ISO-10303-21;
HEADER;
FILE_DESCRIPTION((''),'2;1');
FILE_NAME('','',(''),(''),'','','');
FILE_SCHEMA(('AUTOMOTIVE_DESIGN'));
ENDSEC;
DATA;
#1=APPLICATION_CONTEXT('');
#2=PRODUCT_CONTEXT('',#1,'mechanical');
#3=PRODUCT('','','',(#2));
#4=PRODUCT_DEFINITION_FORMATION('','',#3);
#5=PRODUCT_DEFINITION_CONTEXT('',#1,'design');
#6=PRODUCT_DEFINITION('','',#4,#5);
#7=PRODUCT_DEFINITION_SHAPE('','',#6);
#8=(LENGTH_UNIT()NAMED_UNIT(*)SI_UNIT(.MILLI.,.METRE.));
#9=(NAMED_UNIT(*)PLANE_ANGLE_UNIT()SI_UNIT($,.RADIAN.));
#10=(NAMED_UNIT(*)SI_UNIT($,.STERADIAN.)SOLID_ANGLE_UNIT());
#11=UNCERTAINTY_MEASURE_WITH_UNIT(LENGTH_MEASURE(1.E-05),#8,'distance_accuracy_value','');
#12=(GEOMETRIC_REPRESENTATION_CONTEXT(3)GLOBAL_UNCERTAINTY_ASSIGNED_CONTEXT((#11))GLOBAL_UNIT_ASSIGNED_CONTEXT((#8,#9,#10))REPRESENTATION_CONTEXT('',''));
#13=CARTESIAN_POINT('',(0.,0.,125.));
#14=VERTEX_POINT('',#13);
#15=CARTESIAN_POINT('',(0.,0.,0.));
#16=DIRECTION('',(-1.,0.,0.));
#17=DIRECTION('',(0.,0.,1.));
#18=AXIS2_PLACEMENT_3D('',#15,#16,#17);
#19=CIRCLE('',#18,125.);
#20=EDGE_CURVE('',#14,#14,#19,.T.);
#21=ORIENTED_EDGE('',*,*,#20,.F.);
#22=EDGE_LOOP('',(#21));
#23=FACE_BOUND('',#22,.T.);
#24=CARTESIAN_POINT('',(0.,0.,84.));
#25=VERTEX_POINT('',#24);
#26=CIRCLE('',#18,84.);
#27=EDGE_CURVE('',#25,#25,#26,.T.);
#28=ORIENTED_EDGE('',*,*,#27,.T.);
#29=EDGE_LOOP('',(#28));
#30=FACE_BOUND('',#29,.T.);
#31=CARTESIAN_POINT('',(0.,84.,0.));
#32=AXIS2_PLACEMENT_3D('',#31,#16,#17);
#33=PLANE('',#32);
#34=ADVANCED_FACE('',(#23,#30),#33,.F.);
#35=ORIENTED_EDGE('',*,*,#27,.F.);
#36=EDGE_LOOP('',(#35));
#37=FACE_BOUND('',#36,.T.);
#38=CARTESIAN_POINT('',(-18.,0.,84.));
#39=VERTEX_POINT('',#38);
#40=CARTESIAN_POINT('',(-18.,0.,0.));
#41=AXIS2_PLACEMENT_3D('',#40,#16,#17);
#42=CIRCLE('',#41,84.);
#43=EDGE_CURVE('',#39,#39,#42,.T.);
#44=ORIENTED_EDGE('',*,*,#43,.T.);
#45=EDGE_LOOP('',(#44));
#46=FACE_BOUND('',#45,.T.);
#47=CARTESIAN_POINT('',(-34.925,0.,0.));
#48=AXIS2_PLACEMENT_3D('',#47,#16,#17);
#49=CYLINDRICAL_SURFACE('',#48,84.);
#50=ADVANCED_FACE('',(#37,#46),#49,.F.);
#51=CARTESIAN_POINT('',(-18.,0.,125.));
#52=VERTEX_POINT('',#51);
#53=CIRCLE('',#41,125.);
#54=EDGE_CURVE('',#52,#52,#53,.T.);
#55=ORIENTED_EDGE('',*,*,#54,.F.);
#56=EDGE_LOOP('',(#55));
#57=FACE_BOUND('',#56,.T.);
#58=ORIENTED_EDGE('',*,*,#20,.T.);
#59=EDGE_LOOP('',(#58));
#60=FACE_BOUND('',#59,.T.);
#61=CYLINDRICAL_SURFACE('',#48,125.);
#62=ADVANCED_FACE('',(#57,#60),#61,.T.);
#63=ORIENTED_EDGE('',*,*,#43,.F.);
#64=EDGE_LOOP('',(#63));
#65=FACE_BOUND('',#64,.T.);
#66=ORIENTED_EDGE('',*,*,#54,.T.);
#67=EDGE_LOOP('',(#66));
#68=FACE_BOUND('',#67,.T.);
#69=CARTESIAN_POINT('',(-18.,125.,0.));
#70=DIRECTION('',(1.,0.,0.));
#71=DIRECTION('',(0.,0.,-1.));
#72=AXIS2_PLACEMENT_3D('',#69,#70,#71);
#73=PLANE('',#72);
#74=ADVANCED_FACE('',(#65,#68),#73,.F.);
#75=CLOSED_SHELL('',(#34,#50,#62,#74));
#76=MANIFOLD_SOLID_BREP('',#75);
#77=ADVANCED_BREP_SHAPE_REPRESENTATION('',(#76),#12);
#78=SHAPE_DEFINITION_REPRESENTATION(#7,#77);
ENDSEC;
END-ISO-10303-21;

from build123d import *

# Parameters (mm, degrees)
SKETCH1_W = 18
SKETCH1_H = 41


with BuildPart() as part:
    # Sketch1 → Base-Revolve (revolve)
    with BuildSketch(Plane.XY, mode=Mode.PRIVATE) as base_revolve_sk:
        with Locations((-9, 104.5)):
            Rectangle(SKETCH1_W, SKETCH1_H)
    revolve(base_revolve_sk.sketch.rotate(Axis((-34.925, 0, 0), (1, 0, 0)), 90), axis=Axis((-34.925, 0, 0), (1, 0, 0)))


solid = part.part
